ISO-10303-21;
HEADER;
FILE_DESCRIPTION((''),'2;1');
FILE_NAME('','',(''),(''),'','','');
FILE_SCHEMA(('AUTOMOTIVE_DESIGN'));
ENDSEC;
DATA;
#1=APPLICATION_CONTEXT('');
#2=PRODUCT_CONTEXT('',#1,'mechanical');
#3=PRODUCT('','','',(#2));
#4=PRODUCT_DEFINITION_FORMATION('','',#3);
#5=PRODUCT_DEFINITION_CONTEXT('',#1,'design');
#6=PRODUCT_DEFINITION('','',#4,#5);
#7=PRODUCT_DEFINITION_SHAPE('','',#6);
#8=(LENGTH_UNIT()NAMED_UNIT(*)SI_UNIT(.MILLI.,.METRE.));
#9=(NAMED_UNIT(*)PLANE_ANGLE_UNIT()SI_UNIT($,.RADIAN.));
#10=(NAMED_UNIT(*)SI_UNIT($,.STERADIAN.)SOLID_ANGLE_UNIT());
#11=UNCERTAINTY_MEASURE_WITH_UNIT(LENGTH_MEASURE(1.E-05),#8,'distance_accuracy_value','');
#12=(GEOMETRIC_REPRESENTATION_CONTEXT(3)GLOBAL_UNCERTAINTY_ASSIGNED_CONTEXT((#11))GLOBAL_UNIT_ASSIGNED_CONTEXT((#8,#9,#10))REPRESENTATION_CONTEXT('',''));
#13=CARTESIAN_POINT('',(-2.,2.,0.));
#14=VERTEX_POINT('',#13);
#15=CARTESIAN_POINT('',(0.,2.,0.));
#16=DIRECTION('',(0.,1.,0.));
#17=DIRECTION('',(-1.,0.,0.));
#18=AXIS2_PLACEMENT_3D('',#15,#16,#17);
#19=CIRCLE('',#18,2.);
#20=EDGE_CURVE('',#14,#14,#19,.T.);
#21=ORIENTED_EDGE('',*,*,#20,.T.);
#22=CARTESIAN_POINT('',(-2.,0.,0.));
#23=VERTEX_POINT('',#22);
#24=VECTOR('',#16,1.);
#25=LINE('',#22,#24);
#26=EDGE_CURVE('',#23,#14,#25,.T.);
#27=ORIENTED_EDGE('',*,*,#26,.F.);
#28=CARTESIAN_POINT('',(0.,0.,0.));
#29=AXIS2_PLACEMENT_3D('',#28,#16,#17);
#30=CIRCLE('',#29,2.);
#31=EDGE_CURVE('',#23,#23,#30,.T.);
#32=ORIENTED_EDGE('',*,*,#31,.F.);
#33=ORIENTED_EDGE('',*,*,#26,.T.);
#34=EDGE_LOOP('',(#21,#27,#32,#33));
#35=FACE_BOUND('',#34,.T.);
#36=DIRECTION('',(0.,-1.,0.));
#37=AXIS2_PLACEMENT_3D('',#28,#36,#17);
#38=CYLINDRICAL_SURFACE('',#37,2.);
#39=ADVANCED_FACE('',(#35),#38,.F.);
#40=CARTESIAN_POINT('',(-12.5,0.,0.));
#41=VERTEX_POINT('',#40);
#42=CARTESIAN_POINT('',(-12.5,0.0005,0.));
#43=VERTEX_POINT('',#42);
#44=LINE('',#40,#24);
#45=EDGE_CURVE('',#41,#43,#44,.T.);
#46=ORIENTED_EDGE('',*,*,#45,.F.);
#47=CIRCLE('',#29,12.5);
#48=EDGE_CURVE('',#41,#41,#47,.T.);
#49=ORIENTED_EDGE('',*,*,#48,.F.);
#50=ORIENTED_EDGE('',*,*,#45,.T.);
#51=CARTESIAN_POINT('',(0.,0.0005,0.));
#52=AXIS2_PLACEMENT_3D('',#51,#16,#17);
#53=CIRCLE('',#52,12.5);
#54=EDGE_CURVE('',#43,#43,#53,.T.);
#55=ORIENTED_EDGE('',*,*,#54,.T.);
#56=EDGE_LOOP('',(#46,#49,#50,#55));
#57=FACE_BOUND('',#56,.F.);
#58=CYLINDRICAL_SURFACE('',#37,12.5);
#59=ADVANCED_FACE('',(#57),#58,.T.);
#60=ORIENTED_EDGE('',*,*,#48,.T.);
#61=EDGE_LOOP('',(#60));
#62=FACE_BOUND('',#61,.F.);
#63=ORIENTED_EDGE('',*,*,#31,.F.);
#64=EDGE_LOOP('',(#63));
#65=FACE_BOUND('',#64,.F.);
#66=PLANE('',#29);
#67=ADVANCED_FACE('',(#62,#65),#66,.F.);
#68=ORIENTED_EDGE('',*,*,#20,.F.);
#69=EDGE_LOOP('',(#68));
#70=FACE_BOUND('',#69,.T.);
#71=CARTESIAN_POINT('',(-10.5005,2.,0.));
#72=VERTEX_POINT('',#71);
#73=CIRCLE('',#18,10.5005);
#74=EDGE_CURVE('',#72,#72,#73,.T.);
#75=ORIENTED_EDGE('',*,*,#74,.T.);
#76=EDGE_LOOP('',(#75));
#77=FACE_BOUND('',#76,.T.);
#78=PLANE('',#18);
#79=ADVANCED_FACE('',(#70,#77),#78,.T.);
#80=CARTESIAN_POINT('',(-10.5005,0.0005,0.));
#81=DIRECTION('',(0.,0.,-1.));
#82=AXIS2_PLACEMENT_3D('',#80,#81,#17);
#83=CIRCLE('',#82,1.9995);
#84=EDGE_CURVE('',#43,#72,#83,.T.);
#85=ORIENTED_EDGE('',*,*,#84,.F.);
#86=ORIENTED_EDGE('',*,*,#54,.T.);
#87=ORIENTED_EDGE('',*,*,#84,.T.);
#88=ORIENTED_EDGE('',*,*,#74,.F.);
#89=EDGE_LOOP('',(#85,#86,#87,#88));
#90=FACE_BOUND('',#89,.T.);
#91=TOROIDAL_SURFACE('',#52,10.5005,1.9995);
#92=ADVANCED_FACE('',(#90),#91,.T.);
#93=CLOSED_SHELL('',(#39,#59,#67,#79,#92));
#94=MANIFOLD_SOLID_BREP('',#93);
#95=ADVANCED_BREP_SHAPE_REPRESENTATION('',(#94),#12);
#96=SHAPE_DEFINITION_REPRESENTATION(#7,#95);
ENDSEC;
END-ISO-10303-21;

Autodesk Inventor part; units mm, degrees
ref_plane "YZ Plane" through (0, 0, 0) normal (1, 0, 0) x (0, 1, 0)
ref_plane "XZ Plane" through (0, 0, 0) normal (0, 1, 0) x (-1, 0, 0)
ref_plane "XY Plane" through (0, 0, 0) normal (0, 0, 1) x (1, 0, 0)
sketch "Szkic1" plane through (0, 0, 0) normal (0, 1, 0) x (-1, 0, 0)
  circle A0 centre (0, 0) radius 12.5
  circle A1 centre (0, 0) radius 2
  dimension "d0" = 25
  dimension "d1" = 4
extrude "Wyciągnięcie proste1" add sketch "Szkic1" along normal blind 2
fillet "Zaokrąglenie1" radius 2 1 edges at (12.5, 2, 0)
properties part number "OBUD"
